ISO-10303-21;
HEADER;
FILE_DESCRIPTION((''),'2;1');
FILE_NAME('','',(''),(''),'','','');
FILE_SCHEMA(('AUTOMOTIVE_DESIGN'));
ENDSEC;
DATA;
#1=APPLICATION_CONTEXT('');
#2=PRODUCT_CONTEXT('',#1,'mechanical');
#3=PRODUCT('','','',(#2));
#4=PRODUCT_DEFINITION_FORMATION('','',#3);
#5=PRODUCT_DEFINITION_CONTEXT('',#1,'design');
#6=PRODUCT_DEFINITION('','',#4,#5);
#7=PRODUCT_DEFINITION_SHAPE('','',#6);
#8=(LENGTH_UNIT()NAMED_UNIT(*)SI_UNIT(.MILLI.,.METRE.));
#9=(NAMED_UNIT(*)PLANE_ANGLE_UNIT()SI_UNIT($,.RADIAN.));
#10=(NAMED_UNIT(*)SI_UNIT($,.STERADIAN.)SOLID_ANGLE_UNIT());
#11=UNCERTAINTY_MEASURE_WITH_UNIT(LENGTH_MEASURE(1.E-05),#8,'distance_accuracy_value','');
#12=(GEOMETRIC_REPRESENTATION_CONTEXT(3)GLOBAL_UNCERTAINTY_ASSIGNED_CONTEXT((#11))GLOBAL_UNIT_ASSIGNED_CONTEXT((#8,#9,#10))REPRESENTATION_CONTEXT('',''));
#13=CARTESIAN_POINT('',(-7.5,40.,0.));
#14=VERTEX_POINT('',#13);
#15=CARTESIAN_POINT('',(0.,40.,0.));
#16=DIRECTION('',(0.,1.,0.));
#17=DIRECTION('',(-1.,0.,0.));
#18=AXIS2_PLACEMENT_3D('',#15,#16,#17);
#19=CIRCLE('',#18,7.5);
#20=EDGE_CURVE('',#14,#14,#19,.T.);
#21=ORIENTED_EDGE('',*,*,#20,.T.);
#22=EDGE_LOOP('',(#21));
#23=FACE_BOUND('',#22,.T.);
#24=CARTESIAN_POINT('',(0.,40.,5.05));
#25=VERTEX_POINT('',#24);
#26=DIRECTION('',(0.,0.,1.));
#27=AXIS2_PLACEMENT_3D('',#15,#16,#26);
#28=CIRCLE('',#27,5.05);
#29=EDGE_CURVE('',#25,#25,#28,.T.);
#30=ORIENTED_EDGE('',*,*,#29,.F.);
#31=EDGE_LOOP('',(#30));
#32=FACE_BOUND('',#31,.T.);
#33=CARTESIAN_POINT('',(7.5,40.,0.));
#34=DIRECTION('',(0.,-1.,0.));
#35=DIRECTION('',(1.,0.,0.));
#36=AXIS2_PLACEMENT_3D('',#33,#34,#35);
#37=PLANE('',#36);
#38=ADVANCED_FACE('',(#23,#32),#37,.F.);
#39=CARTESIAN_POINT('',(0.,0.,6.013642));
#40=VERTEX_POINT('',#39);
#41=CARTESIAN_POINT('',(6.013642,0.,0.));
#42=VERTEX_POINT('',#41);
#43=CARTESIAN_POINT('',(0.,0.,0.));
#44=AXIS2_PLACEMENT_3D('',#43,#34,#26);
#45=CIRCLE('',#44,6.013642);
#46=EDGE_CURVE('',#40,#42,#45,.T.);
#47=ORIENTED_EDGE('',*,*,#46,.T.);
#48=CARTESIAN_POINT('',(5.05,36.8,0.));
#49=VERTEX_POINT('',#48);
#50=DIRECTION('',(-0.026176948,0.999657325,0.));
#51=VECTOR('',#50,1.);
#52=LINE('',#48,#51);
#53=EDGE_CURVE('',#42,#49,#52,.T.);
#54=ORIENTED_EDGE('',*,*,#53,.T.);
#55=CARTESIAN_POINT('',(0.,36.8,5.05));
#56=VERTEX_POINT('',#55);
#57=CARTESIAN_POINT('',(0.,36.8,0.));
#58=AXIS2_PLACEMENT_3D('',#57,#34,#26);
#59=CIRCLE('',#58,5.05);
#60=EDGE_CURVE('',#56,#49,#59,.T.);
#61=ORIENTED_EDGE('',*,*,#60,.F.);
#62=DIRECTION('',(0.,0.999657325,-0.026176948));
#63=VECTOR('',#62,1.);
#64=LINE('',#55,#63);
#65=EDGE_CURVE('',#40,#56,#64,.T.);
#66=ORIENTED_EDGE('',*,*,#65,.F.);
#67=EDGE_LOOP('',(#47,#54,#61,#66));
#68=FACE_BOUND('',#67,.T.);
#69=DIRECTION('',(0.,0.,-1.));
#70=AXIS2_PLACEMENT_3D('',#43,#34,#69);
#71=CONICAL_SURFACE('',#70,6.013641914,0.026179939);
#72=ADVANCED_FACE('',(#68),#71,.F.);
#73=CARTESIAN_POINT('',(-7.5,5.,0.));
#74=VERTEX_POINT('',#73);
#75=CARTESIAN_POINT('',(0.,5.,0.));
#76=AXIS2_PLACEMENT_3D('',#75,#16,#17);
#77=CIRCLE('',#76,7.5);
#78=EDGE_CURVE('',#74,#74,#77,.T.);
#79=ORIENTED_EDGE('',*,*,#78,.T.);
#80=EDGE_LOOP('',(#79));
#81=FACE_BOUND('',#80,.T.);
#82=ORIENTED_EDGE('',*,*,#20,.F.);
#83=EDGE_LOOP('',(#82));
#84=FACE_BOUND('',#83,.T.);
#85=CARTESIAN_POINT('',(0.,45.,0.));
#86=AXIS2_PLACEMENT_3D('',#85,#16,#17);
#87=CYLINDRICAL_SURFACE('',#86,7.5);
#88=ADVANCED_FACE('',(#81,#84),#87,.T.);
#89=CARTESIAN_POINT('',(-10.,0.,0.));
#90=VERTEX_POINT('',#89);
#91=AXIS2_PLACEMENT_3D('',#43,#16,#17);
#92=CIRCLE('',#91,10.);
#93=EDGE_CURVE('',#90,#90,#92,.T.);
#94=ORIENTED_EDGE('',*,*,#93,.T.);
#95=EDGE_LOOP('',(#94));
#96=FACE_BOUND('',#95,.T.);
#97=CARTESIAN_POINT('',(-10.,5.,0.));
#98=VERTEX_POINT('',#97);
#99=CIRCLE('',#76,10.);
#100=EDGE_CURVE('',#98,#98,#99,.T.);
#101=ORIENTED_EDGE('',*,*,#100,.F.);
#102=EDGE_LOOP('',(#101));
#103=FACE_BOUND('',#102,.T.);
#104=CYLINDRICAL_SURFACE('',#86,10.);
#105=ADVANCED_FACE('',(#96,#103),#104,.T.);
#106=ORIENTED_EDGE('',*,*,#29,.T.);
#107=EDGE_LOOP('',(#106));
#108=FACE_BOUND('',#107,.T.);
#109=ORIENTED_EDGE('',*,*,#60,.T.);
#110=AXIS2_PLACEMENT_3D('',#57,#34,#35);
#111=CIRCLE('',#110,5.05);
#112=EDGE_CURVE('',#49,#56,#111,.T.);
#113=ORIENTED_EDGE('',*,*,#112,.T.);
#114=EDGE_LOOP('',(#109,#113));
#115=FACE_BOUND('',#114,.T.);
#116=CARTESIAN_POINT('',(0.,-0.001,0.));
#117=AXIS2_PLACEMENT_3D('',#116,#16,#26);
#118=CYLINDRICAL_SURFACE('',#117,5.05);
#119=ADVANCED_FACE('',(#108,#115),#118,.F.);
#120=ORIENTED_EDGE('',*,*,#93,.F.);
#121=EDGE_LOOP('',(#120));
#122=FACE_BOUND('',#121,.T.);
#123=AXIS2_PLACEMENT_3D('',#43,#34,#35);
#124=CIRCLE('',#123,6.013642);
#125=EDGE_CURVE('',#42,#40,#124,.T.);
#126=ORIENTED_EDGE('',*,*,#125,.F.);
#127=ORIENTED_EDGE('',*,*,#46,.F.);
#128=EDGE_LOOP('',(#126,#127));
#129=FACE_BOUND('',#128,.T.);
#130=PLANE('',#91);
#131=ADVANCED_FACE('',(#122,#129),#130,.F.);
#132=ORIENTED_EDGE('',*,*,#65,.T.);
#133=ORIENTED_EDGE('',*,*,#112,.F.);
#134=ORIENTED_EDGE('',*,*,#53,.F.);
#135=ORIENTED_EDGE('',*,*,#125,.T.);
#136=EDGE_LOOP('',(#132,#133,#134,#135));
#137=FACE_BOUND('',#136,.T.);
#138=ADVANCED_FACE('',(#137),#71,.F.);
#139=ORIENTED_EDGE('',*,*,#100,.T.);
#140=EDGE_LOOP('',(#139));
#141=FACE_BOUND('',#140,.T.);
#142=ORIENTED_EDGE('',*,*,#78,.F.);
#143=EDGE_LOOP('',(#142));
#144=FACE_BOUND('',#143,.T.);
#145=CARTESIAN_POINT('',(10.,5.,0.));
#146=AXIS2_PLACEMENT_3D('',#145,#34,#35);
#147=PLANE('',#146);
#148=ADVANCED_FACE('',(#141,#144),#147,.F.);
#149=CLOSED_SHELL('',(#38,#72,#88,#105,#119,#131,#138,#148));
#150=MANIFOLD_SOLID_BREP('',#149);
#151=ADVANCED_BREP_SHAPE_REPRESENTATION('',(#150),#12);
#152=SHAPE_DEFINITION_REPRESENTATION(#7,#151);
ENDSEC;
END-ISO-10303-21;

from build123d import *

# Parameters (mm, degrees)
CUT_EXTRUDE1_REACH = 44.426
SKETCH2_R          = 5.05


with BuildPart() as part:
    # Sketch1 → Revolve1 (revolve)
    with BuildSketch(Plane.XY, mode=Mode.PRIVATE) as revolve1_sk:
        Polygon((0, 0), (10, 0), (10, 5), (7.5, 5), (7.5, 40), (0, 40), align=None)
    revolve(revolve1_sk.sketch.rotate(Axis((0, 45, 0), (0, -1, 0)), 180), axis=Axis((0, 45, 0), (0, -1, 0)))

    # Sketch2 → Cut-Extrude1 (cut, up to next)
    with BuildSketch(Plane(origin=(0, 40, 0), x_dir=(1, 0, 0), z_dir=(0, 1, 0)), mode=Mode.PRIVATE) as cut_extrude1_sk1:
        with Locations(Location((0, 0, 0), (0, 0, 270))):
            Circle(SKETCH2_R)
    cut_extrude1_tool1 = extrude(cut_extrude1_sk1.sketch, amount=-CUT_EXTRUDE1_REACH, mode=Mode.PRIVATE) & part.part
    add(cut_extrude1_tool1.solids().sort_by_distance((0, 40, 0))[0], mode=Mode.SUBTRACT)

    # Cut-Sweep1: sweep along a curve in space
    with BuildLine() as cut_sweep1_path:
        ThreePointArc((0, 40, 5.05), (3.570889245, 40, 3.570889245), (5.05, 40, 0))
        ThreePointArc((5.05, 40, 0), (3.570889245, 40, -3.570889245), (0, 40, -5.05))
        ThreePointArc((0, 40, -5.05), (-3.570889245, 40, -3.570889245), (-5.05, 40, 0))
        ThreePointArc((-5.05, 40, 0), (-3.570889245, 40, 3.570889245), (0, 40, 5.05))
    # Sketch3 → Cut-Sweep1 (sweep, cut)
    with BuildSketch(Plane.XY):
        Polygon((5.05, 36.8), (6.013641914, 0), (5.05, 0), align=None)
    sweep(path=cut_sweep1_path.line, mode=Mode.SUBTRACT)


solid = part.part
